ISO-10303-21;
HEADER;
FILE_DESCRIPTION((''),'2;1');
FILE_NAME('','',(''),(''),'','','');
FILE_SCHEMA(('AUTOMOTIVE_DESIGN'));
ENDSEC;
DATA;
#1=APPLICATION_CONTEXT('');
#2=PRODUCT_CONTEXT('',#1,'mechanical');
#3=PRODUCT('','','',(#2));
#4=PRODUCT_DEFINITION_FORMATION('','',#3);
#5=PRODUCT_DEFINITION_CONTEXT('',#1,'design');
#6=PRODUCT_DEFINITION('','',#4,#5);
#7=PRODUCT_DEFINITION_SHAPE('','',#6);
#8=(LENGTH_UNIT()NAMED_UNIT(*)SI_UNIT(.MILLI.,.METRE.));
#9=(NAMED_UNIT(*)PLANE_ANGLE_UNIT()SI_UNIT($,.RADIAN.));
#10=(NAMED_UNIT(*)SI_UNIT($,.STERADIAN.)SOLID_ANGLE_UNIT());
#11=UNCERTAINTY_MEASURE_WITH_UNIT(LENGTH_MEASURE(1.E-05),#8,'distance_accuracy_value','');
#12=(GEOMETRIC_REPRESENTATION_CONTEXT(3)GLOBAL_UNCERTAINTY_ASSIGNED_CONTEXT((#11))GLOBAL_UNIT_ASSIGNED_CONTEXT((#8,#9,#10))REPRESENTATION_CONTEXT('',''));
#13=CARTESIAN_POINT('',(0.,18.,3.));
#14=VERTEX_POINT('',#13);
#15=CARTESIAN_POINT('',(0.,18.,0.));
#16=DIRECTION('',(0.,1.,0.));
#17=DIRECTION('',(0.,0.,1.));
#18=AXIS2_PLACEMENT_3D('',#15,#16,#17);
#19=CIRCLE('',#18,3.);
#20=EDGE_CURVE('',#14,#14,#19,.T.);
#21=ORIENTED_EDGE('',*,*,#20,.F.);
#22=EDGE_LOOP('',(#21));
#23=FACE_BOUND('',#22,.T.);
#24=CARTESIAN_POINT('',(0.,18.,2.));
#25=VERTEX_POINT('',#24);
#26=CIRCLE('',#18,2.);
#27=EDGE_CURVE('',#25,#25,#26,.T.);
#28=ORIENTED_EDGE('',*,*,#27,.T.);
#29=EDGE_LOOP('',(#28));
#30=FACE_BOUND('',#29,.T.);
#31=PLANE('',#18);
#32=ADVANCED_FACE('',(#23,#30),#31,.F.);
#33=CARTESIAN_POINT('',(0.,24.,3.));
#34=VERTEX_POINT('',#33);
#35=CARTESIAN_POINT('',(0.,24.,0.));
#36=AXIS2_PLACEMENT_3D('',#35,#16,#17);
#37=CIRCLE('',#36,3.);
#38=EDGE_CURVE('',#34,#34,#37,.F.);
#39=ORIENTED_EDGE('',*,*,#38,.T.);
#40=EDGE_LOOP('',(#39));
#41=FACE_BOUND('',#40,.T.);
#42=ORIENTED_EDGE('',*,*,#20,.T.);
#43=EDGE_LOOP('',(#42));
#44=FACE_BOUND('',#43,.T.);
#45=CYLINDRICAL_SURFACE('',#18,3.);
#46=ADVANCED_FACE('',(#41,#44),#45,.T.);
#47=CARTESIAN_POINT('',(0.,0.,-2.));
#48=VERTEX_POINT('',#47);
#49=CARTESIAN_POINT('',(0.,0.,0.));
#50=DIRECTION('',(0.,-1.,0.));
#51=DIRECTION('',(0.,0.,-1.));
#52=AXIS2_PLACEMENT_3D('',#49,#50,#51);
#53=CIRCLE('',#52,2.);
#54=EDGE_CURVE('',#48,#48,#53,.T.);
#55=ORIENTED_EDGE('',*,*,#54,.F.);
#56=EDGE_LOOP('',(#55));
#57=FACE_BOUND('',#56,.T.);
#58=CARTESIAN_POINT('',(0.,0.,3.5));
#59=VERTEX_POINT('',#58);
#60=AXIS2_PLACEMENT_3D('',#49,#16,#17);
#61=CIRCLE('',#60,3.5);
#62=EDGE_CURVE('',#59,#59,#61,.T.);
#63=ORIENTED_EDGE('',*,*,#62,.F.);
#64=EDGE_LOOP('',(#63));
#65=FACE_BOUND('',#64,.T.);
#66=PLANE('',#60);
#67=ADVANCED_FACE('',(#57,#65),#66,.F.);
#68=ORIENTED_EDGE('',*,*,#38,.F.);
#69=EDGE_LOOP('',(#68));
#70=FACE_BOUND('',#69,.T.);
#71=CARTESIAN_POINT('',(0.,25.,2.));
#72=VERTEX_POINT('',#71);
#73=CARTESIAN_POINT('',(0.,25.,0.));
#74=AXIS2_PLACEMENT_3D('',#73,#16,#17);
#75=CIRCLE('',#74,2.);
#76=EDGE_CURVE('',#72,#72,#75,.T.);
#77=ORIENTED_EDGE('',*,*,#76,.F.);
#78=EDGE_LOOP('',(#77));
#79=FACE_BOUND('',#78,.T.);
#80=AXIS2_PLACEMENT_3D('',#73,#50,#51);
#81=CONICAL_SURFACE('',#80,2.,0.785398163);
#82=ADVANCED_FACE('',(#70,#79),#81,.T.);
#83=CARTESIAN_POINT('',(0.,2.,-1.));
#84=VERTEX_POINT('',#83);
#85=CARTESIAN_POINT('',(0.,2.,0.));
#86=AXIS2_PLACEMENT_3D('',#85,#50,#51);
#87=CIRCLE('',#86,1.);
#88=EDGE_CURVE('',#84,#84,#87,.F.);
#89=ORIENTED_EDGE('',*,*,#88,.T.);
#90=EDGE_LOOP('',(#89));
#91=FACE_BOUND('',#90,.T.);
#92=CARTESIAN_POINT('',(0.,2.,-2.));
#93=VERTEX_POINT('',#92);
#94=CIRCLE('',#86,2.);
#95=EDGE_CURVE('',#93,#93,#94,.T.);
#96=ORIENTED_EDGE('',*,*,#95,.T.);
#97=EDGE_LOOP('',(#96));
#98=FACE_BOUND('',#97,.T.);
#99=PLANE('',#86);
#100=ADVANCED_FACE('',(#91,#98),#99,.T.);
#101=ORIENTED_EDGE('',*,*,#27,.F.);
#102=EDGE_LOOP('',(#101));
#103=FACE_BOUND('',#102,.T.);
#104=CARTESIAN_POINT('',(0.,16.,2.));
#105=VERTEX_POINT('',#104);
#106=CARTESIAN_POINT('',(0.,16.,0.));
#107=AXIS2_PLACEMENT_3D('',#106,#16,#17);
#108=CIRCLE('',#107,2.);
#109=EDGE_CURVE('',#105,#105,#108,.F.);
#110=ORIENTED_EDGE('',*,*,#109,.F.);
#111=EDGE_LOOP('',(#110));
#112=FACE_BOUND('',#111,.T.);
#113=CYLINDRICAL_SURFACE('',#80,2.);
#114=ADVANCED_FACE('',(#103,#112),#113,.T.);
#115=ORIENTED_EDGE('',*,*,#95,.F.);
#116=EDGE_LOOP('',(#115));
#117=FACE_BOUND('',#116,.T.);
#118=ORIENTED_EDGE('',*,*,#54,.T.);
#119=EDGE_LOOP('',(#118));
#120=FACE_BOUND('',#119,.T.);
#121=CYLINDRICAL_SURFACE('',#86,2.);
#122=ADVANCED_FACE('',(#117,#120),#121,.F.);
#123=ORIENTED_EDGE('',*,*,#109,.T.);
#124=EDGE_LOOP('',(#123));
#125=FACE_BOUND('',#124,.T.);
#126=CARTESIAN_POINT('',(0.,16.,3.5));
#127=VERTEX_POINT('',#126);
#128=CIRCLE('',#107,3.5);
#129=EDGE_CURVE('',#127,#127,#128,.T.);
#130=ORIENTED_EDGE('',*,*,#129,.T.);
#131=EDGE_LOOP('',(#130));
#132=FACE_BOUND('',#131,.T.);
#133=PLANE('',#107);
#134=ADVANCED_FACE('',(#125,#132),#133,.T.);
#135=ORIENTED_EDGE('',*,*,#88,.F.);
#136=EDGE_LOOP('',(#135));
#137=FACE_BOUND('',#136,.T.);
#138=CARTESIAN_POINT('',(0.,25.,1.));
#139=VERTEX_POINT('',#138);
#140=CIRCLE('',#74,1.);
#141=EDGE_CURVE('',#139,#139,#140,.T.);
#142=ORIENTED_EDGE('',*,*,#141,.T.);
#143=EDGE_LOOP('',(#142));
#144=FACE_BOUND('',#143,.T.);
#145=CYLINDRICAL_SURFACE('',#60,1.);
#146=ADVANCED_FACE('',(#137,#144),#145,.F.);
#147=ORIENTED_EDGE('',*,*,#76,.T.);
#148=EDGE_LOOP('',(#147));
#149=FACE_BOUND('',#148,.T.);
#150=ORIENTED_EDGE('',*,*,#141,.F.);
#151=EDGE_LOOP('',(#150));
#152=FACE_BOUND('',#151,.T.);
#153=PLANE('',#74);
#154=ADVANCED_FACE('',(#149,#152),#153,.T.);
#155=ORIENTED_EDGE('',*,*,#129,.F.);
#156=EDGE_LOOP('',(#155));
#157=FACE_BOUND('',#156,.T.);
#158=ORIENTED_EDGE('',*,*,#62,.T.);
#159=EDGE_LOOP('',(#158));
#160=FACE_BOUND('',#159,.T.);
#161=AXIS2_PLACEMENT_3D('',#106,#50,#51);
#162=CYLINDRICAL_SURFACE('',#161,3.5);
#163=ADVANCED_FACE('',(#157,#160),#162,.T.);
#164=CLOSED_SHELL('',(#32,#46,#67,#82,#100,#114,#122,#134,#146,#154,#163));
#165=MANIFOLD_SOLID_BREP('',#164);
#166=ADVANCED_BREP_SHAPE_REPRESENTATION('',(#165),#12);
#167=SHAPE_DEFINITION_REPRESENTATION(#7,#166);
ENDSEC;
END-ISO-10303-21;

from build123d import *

# Parameters (mm, degrees)
SKETCH_1_R          = 3.5
EXTRUDE_1_DEPTH     = 16
SKETCH_2_R          = 2
EXTRUDE_2_DEPTH     = 25
SKETCH_3_R          = 3
EXTRUDE_3_DEPTH     = 7
CHAMFER_1_SIZE      = 1
SKETCH_4_R          = 1
CUT_EXTRUDE_1_DEPTH = 26.485289875
SKETCH_5_R          = 2
CUT_EXTRUDE_2_DEPTH = 2


with BuildPart() as part:
    # 草圖1 → 填料-伸長1 (new body)
    with BuildSketch(Plane(origin=(0, 0, 0), x_dir=(1, 0, 0), z_dir=(0, 1, 0))):
        with Locations(Location((0, 0, 0), (0, 0, 270))):
            Circle(SKETCH_1_R)
    extrude(amount=EXTRUDE_1_DEPTH)

    # 草圖2 → 填料-伸長2 (add)
    with BuildSketch(Plane(origin=(0, 0, 0), x_dir=(1, 0, 0), z_dir=(0, 1, 0))):
        with Locations(Location((0, 0, 0), (0, 0, 270))):
            Circle(SKETCH_2_R)
    extrude(amount=EXTRUDE_2_DEPTH)

    # 草圖3 → 填料-伸長3 (add)
    with BuildSketch(Plane(origin=(0, 25, 0), x_dir=(1, 0, 0), z_dir=(0, 1, 0))):
        with Locations(Location((0, 0, 0), (0, 0, 270))):
            Circle(SKETCH_3_R)
    extrude(amount=-EXTRUDE_3_DEPTH)

    # 導角1
    chamfer_1_edges = [part.edges().sort_by_distance(p)[0] for p in [
        (0, 25, -3),
    ]]
    chamfer(chamfer_1_edges, length=CHAMFER_1_SIZE)

    # 草圖4 → 除料-伸長1 (cut, through all)
    with BuildSketch(Plane(origin=(0, 25, 0), x_dir=(1, 0, 0), z_dir=(0, 1, 0))):
        with Locations(Location((0, 0, 0), (0, 0, 270))):
            Circle(SKETCH_4_R)
    extrude(amount=-CUT_EXTRUDE_1_DEPTH, mode=Mode.SUBTRACT)

    # 草圖5 → 除料-伸長2 (cut)
    with BuildSketch(Plane(origin=(0, 0, 0), x_dir=(-1, 0, 0), z_dir=(0, -1, 0))):
        with Locations(Location((0, 0, 0), (0, 0, 270))):
            Circle(SKETCH_5_R)
    extrude(amount=-CUT_EXTRUDE_2_DEPTH, mode=Mode.SUBTRACT)


solid = part.part
